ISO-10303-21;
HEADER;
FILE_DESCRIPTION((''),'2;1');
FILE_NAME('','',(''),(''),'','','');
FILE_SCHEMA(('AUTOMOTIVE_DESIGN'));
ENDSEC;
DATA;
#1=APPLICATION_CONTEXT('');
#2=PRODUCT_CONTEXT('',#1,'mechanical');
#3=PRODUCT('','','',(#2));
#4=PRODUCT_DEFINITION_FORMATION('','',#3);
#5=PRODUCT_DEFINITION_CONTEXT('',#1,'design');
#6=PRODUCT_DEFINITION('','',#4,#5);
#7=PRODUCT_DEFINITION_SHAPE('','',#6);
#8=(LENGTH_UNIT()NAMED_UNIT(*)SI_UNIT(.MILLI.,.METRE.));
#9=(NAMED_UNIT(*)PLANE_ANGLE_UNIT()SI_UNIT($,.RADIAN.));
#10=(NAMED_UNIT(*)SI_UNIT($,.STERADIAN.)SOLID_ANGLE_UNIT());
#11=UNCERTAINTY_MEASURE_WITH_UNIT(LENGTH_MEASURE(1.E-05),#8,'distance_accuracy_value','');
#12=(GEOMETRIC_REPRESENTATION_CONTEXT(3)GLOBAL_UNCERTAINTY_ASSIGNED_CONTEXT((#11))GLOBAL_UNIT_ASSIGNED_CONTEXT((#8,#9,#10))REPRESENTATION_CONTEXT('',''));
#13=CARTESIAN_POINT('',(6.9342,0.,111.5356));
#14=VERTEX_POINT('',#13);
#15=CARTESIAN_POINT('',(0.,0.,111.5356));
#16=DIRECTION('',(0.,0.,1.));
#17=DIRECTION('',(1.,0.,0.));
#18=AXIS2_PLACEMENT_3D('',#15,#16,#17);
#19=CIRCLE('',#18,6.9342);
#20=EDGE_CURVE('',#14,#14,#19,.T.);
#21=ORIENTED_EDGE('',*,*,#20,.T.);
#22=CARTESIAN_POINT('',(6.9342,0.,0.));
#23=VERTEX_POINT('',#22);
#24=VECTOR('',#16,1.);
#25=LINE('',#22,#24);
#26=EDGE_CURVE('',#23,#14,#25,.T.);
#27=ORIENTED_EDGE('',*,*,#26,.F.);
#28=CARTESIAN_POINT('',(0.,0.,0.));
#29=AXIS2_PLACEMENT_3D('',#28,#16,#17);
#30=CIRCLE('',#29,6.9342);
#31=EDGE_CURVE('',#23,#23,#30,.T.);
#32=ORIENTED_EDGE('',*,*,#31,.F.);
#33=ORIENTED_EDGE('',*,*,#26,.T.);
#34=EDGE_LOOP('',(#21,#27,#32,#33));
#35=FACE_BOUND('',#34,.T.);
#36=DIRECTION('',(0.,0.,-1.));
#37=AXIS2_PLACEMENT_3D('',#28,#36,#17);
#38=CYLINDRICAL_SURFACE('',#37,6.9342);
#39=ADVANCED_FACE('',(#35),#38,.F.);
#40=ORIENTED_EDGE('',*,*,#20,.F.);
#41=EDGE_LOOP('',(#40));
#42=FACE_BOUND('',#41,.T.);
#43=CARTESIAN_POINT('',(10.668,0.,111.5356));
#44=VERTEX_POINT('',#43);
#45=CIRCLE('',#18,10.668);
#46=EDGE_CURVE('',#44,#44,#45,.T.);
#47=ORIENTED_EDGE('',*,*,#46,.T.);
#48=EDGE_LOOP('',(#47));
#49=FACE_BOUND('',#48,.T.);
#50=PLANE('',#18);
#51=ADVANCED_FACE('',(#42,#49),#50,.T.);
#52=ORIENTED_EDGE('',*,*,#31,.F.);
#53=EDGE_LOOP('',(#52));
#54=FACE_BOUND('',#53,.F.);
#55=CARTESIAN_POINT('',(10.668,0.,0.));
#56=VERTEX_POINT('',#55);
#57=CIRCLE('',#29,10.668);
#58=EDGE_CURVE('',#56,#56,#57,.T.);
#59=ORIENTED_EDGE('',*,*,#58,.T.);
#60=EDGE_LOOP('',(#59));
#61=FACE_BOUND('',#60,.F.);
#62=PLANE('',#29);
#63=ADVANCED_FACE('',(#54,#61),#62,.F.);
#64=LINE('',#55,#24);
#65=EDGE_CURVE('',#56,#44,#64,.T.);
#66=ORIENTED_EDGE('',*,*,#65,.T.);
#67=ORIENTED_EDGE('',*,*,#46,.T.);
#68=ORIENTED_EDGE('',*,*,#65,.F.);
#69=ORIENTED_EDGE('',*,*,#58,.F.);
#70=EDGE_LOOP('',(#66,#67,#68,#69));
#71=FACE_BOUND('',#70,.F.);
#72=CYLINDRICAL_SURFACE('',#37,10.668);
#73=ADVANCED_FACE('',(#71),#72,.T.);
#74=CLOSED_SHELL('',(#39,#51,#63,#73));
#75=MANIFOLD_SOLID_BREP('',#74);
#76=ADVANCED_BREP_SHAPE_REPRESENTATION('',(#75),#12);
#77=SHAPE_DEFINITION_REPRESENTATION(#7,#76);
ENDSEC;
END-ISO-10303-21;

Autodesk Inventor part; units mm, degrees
ref_plane "YZ Plane" through (0, 0, 0) normal (1, 0, 0) x (0, 1, 0)
ref_plane "Start Plane" through (0, 0, 0) normal (0, 0, 1) x (1, 0, 0)
ref_plane "End Plane" through (0, 0, 111.5356) normal (0, 0, 1) x (1, 0, 0)
sketch "Sketch" plane through (0, 0, 0) normal (0, 0, 1) x (1, 0, 0)
  circle A0 centre (0, 0) radius 6.9342
  circle A1 centre (0, 0) radius 10.668
  dimension "d0" = 21.336
  dimension "d1" = 3.7338
extrude "Body" add sketch "Sketch" along normal up to surface (111.5356 mm away) from surface at 0
sketch "Sketch3" plane through (0, 0, 0) normal (0, 0, 1) x (1, 0, 0)
  line L0 (0, 0) -> (10, 0)
ref_plane "Work Plane3" through (0, 0, 0) normal (0, -1, 0) x (1, 0, 0)
sketch "Sketch4" plane through (0, 0, 0) normal (0, -1, 0) x (1, 0, 0)
  line L0 (-2, 0) -> (12, 0)
  line L1 (-2, 111.5356) -> (12, 111.5356)
  dimension "d7" = 111.5356
equation "\"d0\" = G_H"
equation "\"d1\" = G_T"
equation "\"d2\" = G_L"
equation "\"G_H\" = 21.336"
equation "\"G_T\" = 3.7338"
equation "\"G_L\" = d7"
equation "\"G_OFFSET_START\" = 0"
equation "\"G_OFFSET_END\" = 0"
equation "\"d5\" = G_OFFSET_END + B_L"
equation "\"B_L\" = 111.53557"
properties part number "ANSI - 1/2 x 0.147 - 4.391" material "Steel, Mild"
